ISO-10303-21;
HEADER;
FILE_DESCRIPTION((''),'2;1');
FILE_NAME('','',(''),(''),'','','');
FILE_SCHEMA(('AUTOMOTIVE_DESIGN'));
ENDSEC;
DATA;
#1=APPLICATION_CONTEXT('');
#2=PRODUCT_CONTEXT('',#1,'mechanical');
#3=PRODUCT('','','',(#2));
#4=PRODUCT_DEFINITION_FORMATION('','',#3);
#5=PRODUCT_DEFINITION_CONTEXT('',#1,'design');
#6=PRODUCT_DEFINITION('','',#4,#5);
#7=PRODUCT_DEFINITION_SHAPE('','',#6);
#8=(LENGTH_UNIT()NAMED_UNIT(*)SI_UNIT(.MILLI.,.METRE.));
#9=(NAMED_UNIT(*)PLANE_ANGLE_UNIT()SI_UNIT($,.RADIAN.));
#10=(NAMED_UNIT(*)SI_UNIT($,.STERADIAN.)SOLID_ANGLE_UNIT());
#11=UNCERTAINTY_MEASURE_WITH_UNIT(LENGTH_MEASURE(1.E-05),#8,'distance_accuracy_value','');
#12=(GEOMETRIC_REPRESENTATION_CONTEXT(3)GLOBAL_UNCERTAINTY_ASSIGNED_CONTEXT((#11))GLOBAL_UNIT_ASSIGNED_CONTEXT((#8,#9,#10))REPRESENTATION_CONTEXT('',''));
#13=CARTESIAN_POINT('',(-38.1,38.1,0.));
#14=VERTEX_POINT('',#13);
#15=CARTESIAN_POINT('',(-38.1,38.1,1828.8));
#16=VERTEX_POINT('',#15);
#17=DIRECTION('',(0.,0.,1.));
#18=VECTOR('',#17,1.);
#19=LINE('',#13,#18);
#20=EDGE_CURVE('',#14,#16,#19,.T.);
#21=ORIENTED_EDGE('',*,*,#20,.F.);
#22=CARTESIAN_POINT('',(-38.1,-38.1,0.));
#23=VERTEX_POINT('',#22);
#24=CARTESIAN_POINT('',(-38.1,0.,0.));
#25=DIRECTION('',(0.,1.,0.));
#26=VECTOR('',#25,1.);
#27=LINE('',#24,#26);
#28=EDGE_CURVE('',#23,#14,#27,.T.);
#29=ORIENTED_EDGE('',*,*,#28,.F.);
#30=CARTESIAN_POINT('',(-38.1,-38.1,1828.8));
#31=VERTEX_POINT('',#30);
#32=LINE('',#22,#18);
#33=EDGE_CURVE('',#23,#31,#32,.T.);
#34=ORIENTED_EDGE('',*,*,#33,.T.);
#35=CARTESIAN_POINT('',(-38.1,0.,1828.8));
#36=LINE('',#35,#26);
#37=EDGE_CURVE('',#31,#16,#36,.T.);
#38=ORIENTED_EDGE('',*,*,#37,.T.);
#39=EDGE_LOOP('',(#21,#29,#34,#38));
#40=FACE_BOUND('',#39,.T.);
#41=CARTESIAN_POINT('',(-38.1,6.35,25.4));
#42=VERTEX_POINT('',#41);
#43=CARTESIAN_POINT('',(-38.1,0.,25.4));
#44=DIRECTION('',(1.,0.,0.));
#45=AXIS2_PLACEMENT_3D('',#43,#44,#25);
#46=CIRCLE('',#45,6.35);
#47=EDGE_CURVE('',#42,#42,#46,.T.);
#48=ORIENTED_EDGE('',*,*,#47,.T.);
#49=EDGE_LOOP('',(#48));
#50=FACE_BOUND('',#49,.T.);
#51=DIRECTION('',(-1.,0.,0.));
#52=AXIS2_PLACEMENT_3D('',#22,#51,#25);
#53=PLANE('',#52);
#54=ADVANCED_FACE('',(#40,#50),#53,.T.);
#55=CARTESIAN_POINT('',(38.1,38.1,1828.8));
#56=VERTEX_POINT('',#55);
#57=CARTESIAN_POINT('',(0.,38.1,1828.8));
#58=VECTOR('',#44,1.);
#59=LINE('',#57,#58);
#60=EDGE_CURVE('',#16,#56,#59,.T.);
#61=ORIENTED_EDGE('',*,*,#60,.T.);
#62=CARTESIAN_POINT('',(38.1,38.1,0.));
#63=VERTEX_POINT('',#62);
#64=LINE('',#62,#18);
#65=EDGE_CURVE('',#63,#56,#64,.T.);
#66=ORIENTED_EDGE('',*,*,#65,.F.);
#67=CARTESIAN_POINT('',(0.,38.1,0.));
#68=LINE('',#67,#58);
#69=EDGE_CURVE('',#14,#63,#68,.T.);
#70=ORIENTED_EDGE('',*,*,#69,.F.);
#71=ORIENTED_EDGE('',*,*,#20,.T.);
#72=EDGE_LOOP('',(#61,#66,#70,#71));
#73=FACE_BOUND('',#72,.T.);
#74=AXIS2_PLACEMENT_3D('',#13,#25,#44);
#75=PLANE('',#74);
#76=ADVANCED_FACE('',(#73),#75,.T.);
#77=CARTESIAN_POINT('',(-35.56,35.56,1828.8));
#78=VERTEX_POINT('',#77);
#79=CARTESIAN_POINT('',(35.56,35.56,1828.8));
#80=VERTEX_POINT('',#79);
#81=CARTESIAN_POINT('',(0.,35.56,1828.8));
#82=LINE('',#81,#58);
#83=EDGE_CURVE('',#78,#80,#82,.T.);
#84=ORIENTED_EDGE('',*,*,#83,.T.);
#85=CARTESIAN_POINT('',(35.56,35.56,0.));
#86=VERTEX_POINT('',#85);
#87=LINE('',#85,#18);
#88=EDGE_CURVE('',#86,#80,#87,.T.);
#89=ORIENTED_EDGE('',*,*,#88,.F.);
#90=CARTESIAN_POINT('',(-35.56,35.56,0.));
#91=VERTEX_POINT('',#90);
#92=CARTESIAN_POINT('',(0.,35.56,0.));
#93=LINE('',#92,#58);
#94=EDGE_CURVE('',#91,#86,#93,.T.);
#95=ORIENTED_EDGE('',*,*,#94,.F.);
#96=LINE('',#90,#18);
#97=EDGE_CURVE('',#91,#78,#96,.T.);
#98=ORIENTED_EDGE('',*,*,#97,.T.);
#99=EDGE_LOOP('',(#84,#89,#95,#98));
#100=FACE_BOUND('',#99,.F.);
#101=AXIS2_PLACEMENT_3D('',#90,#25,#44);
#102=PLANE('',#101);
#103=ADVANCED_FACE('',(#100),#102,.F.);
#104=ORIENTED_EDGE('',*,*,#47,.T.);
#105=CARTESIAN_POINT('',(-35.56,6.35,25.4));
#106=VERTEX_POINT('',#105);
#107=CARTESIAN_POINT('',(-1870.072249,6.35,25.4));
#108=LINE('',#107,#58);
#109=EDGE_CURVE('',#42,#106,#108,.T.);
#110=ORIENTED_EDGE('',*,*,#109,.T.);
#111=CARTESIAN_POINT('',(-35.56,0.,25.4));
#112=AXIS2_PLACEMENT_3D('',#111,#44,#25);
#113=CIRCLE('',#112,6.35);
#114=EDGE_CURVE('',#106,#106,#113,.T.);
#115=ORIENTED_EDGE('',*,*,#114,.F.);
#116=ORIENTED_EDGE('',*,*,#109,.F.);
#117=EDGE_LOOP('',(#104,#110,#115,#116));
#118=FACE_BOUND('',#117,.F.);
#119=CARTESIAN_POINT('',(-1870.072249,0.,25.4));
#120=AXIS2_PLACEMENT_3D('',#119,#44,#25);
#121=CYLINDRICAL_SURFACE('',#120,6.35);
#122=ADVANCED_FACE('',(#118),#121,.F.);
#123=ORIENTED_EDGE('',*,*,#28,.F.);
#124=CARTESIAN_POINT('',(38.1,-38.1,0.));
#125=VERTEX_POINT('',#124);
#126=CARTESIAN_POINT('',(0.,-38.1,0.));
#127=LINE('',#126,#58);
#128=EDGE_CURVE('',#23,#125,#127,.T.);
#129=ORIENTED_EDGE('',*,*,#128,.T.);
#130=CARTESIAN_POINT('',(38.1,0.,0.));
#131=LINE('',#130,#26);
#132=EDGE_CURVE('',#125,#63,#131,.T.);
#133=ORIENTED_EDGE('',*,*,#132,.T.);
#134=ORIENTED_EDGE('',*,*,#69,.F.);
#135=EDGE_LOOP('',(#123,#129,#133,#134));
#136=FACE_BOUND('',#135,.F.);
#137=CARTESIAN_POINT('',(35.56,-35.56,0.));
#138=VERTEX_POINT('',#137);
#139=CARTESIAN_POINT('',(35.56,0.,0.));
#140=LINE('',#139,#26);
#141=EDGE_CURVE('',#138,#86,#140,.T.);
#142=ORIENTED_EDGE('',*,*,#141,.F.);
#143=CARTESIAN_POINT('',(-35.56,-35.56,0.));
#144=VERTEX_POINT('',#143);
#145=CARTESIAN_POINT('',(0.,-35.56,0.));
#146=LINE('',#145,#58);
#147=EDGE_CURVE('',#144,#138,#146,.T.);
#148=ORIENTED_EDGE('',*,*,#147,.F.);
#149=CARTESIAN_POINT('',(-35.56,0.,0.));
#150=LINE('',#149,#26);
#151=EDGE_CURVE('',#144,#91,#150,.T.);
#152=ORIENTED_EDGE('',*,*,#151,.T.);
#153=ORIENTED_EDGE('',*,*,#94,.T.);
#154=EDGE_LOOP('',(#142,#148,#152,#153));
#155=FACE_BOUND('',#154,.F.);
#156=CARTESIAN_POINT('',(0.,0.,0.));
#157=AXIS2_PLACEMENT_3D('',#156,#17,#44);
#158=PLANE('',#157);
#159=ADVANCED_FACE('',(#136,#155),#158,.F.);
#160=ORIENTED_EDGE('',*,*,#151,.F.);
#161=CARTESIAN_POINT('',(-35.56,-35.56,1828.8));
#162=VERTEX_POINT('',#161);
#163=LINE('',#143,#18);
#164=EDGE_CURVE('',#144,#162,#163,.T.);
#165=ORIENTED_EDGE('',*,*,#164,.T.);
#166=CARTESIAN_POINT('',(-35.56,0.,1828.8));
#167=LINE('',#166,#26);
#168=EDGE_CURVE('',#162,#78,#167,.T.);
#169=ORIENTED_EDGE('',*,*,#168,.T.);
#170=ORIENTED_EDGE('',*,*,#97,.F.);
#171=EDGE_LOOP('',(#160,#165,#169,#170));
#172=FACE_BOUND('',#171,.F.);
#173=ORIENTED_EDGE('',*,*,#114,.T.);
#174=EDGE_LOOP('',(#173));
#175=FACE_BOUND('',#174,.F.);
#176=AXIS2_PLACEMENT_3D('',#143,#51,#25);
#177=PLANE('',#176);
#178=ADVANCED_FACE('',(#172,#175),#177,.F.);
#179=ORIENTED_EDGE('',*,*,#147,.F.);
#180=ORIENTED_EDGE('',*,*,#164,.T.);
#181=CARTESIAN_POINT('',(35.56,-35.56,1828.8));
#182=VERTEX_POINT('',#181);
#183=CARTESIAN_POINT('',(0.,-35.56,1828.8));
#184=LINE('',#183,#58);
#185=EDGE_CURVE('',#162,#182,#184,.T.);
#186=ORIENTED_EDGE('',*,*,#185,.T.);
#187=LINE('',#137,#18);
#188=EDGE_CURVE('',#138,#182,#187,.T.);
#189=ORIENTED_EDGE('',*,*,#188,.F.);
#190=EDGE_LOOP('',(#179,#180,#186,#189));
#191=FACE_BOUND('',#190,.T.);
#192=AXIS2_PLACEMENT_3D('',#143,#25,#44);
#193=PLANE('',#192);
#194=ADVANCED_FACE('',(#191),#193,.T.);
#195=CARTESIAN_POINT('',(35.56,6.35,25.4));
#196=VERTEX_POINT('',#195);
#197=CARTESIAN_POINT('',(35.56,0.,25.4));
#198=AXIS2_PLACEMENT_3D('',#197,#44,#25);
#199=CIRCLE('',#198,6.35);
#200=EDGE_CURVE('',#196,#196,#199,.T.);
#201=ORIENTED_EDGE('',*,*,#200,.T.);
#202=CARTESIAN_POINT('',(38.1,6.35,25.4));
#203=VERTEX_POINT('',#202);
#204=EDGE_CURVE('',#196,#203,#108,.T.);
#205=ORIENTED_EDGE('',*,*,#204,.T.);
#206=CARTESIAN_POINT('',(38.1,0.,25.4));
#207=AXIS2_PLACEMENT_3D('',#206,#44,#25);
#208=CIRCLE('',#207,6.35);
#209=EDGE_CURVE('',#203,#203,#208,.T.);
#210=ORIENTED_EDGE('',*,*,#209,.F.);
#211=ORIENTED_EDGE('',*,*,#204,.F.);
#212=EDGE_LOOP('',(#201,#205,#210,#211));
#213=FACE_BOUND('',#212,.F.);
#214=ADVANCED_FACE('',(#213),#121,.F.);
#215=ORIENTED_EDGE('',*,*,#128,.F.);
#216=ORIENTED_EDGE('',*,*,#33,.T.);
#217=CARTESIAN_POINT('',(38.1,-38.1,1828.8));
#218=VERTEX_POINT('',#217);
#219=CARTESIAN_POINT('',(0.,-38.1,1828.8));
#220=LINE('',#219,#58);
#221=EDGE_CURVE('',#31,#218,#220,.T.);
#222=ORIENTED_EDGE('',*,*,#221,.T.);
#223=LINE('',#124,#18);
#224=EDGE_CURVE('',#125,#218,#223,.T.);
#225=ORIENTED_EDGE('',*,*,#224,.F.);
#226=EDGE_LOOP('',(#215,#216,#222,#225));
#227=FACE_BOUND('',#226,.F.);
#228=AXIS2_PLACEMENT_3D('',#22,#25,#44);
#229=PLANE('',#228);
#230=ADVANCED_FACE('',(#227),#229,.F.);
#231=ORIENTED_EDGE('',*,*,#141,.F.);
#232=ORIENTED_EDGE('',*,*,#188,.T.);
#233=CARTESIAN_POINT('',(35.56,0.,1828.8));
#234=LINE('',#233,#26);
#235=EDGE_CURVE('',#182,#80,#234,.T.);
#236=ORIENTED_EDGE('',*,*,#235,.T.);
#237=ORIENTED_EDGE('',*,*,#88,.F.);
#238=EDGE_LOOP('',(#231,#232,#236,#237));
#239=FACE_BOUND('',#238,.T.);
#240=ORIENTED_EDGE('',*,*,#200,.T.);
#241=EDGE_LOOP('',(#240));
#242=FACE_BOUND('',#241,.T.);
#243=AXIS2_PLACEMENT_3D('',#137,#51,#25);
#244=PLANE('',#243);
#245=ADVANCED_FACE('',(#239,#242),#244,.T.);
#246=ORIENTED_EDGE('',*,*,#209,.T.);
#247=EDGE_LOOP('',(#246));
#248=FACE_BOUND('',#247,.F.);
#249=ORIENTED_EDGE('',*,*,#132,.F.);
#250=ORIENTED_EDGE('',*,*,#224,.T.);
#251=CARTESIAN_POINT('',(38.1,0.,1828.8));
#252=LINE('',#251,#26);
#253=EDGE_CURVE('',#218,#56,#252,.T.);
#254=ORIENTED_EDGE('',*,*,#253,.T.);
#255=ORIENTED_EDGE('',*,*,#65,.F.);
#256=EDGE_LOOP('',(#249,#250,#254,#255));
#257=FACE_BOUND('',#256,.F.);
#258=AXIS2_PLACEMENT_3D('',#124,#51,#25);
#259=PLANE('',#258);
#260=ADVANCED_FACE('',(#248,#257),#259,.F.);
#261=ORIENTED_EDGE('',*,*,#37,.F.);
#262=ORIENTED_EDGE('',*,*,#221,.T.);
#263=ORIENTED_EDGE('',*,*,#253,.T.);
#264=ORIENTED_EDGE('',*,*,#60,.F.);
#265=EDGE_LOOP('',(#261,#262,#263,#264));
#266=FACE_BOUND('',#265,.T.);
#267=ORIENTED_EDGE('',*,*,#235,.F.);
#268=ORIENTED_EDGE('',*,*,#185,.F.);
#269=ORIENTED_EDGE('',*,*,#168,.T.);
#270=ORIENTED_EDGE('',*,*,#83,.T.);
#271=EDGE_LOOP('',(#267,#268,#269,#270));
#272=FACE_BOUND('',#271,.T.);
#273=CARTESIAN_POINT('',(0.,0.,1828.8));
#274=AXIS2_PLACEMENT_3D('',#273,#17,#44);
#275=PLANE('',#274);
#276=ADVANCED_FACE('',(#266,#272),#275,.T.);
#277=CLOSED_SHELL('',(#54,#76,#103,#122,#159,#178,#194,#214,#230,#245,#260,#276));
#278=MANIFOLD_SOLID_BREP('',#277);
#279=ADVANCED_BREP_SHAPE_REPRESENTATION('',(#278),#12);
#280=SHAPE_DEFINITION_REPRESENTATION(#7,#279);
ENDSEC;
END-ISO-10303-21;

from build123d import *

# Parameters (mm, degrees)
F0_W     = 76.2
F0_H     = 76.2
F0_W_2   = 71.12
F0_H_2   = 71.12
F1_DEPTH = 1828.8
F3_D     = 12.7


with BuildPart() as f1:
    # F0 (on Top) → F1 (new body)
    with BuildSketch(Plane.XY):
        Rectangle(F0_W, F0_H)
        Rectangle(F0_W_2, F0_H_2, mode=Mode.SUBTRACT)
    extrude(amount=F1_DEPTH)

    # F3 (through all)
    with Locations(Plane(origin=(-38.1, 0, 0), x_dir=(0, -1, 0), z_dir=(-1, 0, 0))):
        with Locations((0, 25.4)):
            Hole(F3_D / 2)


solid = f1.part
